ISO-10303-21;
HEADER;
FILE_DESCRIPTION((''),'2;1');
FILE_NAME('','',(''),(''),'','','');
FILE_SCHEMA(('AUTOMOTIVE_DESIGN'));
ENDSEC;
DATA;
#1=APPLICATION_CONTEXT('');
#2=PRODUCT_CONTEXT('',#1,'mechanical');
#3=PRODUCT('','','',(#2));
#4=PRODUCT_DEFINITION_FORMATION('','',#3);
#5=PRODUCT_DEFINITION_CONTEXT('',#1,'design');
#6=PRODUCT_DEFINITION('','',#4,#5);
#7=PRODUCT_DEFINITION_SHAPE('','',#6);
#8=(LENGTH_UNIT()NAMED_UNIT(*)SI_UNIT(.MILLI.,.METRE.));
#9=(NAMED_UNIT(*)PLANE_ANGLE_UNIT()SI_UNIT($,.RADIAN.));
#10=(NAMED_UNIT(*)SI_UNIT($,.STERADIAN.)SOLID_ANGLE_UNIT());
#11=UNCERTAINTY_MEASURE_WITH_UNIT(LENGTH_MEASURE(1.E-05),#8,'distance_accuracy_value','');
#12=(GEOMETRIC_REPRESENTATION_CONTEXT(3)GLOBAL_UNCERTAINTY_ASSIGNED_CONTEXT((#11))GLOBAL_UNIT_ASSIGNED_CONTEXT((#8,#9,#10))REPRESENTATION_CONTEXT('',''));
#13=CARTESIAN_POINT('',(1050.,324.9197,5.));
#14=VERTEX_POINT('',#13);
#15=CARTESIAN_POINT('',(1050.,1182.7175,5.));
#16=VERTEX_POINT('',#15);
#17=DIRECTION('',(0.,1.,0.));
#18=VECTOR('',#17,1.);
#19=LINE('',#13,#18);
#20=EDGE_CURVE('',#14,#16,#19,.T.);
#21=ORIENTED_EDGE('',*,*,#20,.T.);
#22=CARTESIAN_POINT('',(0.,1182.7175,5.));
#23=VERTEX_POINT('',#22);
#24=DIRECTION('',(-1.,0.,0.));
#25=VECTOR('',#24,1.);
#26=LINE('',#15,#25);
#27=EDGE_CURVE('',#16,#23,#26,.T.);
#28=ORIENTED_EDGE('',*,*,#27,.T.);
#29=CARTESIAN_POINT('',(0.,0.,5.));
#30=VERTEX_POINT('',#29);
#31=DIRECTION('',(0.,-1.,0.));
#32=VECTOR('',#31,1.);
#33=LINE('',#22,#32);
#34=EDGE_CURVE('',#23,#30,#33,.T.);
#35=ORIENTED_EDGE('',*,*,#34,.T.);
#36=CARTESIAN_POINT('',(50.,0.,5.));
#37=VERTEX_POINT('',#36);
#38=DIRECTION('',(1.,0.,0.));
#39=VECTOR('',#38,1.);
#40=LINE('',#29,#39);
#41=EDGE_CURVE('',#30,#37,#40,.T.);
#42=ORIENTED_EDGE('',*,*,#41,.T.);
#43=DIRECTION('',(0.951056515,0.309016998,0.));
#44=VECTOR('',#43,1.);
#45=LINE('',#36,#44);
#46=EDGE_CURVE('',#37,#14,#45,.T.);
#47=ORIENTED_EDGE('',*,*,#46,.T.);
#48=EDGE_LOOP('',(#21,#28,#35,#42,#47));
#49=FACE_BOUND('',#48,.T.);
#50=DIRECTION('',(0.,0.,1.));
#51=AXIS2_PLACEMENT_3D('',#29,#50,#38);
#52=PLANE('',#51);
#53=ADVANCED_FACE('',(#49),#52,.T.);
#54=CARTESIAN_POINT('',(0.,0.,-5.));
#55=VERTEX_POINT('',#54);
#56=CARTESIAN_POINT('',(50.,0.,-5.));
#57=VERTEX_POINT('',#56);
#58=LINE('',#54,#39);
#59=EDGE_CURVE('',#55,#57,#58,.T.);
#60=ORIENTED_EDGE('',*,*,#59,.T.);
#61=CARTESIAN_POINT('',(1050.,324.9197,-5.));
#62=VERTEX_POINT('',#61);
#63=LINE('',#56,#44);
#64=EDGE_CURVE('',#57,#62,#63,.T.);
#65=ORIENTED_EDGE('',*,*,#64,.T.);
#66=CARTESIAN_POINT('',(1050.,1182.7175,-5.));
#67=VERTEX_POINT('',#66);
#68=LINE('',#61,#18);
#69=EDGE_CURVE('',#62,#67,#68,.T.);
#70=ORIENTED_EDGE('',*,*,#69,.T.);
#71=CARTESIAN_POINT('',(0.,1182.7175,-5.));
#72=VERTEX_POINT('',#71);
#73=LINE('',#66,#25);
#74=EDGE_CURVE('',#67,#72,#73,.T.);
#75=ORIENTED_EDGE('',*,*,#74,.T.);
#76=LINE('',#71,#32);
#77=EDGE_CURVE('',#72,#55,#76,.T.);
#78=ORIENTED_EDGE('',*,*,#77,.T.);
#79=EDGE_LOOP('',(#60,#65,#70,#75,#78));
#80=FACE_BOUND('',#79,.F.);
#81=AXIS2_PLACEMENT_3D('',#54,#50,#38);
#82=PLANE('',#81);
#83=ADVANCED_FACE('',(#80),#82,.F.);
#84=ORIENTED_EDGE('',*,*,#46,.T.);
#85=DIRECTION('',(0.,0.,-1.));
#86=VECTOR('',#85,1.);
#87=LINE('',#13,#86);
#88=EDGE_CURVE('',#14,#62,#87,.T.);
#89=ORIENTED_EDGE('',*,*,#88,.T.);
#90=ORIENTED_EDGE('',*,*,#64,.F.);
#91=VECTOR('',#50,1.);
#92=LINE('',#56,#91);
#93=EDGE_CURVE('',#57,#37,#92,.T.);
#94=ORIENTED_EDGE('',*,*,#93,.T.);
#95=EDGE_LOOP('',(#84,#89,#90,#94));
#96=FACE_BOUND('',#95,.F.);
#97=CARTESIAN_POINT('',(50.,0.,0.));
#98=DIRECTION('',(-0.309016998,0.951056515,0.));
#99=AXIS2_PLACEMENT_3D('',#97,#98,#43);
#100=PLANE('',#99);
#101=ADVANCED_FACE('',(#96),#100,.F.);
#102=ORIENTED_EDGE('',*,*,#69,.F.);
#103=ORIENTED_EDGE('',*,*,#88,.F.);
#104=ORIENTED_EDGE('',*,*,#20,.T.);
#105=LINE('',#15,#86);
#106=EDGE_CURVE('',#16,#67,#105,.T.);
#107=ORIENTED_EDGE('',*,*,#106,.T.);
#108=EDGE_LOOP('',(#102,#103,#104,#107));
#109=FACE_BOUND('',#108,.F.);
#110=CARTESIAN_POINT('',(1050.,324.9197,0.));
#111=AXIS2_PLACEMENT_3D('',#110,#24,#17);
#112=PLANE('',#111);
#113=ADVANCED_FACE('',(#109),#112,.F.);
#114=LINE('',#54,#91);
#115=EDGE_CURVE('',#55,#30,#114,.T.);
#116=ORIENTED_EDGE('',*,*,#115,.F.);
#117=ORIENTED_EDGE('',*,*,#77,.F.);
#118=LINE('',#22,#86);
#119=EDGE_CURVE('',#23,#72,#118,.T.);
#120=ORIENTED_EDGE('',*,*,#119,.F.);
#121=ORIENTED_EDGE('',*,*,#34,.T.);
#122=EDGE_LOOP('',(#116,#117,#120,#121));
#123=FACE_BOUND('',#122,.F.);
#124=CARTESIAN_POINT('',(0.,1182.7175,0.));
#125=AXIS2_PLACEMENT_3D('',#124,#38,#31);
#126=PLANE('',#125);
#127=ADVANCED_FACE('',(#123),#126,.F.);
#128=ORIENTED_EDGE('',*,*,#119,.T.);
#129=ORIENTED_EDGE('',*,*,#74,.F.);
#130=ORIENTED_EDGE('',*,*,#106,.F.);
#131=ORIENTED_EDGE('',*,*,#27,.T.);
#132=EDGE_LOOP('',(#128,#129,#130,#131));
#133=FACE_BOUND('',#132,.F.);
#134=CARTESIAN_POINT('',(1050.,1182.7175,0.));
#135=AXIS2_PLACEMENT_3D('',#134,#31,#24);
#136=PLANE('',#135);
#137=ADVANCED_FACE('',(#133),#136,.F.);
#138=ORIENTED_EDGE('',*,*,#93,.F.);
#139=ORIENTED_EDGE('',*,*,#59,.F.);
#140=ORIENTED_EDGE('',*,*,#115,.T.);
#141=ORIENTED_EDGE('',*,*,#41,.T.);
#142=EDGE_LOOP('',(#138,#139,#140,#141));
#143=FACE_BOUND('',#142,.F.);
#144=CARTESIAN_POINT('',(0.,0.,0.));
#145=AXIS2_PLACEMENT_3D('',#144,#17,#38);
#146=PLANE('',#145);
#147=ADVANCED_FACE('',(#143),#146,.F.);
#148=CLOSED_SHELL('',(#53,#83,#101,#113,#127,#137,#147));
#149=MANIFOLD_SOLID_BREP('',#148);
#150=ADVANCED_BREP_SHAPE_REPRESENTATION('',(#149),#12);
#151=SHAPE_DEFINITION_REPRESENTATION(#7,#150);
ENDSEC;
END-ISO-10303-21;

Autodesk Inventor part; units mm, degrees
ref_plane "YZ Plane" through (0, 0, 0) normal (1, 0, 0) x (0, 1, 0)
ref_plane "XZ Plane" through (0, 0, 0) normal (0, 1, 0) x (-1, 0, 0)
ref_plane "XY Plane" through (0, 0, 0) normal (0, 0, 1) x (1, 0, 0)
sketch "Эскиз2" plane through (0, 0, 0) normal (0, 0, 1) x (1, 0, 0)
  line L0 (0, 0) -> (50, 0)
  line L1 (50, 0) -> (1050, 324.9197)
  line L2 (1050, 324.9197) -> (1050, 1182.7175)
  line L3 (1050, 1182.7175) -> (0, 1182.7175)
  line L4 (0, 1182.7175) -> (0, 0)
  dimension "d1" = 50
  dimension "d3" = 18
  dimension "d5" = 1050
  dimension "d6" = 1182.7175
extrude "Выдавливание1" add sketch "Эскиз2" along normal mid plane 10
